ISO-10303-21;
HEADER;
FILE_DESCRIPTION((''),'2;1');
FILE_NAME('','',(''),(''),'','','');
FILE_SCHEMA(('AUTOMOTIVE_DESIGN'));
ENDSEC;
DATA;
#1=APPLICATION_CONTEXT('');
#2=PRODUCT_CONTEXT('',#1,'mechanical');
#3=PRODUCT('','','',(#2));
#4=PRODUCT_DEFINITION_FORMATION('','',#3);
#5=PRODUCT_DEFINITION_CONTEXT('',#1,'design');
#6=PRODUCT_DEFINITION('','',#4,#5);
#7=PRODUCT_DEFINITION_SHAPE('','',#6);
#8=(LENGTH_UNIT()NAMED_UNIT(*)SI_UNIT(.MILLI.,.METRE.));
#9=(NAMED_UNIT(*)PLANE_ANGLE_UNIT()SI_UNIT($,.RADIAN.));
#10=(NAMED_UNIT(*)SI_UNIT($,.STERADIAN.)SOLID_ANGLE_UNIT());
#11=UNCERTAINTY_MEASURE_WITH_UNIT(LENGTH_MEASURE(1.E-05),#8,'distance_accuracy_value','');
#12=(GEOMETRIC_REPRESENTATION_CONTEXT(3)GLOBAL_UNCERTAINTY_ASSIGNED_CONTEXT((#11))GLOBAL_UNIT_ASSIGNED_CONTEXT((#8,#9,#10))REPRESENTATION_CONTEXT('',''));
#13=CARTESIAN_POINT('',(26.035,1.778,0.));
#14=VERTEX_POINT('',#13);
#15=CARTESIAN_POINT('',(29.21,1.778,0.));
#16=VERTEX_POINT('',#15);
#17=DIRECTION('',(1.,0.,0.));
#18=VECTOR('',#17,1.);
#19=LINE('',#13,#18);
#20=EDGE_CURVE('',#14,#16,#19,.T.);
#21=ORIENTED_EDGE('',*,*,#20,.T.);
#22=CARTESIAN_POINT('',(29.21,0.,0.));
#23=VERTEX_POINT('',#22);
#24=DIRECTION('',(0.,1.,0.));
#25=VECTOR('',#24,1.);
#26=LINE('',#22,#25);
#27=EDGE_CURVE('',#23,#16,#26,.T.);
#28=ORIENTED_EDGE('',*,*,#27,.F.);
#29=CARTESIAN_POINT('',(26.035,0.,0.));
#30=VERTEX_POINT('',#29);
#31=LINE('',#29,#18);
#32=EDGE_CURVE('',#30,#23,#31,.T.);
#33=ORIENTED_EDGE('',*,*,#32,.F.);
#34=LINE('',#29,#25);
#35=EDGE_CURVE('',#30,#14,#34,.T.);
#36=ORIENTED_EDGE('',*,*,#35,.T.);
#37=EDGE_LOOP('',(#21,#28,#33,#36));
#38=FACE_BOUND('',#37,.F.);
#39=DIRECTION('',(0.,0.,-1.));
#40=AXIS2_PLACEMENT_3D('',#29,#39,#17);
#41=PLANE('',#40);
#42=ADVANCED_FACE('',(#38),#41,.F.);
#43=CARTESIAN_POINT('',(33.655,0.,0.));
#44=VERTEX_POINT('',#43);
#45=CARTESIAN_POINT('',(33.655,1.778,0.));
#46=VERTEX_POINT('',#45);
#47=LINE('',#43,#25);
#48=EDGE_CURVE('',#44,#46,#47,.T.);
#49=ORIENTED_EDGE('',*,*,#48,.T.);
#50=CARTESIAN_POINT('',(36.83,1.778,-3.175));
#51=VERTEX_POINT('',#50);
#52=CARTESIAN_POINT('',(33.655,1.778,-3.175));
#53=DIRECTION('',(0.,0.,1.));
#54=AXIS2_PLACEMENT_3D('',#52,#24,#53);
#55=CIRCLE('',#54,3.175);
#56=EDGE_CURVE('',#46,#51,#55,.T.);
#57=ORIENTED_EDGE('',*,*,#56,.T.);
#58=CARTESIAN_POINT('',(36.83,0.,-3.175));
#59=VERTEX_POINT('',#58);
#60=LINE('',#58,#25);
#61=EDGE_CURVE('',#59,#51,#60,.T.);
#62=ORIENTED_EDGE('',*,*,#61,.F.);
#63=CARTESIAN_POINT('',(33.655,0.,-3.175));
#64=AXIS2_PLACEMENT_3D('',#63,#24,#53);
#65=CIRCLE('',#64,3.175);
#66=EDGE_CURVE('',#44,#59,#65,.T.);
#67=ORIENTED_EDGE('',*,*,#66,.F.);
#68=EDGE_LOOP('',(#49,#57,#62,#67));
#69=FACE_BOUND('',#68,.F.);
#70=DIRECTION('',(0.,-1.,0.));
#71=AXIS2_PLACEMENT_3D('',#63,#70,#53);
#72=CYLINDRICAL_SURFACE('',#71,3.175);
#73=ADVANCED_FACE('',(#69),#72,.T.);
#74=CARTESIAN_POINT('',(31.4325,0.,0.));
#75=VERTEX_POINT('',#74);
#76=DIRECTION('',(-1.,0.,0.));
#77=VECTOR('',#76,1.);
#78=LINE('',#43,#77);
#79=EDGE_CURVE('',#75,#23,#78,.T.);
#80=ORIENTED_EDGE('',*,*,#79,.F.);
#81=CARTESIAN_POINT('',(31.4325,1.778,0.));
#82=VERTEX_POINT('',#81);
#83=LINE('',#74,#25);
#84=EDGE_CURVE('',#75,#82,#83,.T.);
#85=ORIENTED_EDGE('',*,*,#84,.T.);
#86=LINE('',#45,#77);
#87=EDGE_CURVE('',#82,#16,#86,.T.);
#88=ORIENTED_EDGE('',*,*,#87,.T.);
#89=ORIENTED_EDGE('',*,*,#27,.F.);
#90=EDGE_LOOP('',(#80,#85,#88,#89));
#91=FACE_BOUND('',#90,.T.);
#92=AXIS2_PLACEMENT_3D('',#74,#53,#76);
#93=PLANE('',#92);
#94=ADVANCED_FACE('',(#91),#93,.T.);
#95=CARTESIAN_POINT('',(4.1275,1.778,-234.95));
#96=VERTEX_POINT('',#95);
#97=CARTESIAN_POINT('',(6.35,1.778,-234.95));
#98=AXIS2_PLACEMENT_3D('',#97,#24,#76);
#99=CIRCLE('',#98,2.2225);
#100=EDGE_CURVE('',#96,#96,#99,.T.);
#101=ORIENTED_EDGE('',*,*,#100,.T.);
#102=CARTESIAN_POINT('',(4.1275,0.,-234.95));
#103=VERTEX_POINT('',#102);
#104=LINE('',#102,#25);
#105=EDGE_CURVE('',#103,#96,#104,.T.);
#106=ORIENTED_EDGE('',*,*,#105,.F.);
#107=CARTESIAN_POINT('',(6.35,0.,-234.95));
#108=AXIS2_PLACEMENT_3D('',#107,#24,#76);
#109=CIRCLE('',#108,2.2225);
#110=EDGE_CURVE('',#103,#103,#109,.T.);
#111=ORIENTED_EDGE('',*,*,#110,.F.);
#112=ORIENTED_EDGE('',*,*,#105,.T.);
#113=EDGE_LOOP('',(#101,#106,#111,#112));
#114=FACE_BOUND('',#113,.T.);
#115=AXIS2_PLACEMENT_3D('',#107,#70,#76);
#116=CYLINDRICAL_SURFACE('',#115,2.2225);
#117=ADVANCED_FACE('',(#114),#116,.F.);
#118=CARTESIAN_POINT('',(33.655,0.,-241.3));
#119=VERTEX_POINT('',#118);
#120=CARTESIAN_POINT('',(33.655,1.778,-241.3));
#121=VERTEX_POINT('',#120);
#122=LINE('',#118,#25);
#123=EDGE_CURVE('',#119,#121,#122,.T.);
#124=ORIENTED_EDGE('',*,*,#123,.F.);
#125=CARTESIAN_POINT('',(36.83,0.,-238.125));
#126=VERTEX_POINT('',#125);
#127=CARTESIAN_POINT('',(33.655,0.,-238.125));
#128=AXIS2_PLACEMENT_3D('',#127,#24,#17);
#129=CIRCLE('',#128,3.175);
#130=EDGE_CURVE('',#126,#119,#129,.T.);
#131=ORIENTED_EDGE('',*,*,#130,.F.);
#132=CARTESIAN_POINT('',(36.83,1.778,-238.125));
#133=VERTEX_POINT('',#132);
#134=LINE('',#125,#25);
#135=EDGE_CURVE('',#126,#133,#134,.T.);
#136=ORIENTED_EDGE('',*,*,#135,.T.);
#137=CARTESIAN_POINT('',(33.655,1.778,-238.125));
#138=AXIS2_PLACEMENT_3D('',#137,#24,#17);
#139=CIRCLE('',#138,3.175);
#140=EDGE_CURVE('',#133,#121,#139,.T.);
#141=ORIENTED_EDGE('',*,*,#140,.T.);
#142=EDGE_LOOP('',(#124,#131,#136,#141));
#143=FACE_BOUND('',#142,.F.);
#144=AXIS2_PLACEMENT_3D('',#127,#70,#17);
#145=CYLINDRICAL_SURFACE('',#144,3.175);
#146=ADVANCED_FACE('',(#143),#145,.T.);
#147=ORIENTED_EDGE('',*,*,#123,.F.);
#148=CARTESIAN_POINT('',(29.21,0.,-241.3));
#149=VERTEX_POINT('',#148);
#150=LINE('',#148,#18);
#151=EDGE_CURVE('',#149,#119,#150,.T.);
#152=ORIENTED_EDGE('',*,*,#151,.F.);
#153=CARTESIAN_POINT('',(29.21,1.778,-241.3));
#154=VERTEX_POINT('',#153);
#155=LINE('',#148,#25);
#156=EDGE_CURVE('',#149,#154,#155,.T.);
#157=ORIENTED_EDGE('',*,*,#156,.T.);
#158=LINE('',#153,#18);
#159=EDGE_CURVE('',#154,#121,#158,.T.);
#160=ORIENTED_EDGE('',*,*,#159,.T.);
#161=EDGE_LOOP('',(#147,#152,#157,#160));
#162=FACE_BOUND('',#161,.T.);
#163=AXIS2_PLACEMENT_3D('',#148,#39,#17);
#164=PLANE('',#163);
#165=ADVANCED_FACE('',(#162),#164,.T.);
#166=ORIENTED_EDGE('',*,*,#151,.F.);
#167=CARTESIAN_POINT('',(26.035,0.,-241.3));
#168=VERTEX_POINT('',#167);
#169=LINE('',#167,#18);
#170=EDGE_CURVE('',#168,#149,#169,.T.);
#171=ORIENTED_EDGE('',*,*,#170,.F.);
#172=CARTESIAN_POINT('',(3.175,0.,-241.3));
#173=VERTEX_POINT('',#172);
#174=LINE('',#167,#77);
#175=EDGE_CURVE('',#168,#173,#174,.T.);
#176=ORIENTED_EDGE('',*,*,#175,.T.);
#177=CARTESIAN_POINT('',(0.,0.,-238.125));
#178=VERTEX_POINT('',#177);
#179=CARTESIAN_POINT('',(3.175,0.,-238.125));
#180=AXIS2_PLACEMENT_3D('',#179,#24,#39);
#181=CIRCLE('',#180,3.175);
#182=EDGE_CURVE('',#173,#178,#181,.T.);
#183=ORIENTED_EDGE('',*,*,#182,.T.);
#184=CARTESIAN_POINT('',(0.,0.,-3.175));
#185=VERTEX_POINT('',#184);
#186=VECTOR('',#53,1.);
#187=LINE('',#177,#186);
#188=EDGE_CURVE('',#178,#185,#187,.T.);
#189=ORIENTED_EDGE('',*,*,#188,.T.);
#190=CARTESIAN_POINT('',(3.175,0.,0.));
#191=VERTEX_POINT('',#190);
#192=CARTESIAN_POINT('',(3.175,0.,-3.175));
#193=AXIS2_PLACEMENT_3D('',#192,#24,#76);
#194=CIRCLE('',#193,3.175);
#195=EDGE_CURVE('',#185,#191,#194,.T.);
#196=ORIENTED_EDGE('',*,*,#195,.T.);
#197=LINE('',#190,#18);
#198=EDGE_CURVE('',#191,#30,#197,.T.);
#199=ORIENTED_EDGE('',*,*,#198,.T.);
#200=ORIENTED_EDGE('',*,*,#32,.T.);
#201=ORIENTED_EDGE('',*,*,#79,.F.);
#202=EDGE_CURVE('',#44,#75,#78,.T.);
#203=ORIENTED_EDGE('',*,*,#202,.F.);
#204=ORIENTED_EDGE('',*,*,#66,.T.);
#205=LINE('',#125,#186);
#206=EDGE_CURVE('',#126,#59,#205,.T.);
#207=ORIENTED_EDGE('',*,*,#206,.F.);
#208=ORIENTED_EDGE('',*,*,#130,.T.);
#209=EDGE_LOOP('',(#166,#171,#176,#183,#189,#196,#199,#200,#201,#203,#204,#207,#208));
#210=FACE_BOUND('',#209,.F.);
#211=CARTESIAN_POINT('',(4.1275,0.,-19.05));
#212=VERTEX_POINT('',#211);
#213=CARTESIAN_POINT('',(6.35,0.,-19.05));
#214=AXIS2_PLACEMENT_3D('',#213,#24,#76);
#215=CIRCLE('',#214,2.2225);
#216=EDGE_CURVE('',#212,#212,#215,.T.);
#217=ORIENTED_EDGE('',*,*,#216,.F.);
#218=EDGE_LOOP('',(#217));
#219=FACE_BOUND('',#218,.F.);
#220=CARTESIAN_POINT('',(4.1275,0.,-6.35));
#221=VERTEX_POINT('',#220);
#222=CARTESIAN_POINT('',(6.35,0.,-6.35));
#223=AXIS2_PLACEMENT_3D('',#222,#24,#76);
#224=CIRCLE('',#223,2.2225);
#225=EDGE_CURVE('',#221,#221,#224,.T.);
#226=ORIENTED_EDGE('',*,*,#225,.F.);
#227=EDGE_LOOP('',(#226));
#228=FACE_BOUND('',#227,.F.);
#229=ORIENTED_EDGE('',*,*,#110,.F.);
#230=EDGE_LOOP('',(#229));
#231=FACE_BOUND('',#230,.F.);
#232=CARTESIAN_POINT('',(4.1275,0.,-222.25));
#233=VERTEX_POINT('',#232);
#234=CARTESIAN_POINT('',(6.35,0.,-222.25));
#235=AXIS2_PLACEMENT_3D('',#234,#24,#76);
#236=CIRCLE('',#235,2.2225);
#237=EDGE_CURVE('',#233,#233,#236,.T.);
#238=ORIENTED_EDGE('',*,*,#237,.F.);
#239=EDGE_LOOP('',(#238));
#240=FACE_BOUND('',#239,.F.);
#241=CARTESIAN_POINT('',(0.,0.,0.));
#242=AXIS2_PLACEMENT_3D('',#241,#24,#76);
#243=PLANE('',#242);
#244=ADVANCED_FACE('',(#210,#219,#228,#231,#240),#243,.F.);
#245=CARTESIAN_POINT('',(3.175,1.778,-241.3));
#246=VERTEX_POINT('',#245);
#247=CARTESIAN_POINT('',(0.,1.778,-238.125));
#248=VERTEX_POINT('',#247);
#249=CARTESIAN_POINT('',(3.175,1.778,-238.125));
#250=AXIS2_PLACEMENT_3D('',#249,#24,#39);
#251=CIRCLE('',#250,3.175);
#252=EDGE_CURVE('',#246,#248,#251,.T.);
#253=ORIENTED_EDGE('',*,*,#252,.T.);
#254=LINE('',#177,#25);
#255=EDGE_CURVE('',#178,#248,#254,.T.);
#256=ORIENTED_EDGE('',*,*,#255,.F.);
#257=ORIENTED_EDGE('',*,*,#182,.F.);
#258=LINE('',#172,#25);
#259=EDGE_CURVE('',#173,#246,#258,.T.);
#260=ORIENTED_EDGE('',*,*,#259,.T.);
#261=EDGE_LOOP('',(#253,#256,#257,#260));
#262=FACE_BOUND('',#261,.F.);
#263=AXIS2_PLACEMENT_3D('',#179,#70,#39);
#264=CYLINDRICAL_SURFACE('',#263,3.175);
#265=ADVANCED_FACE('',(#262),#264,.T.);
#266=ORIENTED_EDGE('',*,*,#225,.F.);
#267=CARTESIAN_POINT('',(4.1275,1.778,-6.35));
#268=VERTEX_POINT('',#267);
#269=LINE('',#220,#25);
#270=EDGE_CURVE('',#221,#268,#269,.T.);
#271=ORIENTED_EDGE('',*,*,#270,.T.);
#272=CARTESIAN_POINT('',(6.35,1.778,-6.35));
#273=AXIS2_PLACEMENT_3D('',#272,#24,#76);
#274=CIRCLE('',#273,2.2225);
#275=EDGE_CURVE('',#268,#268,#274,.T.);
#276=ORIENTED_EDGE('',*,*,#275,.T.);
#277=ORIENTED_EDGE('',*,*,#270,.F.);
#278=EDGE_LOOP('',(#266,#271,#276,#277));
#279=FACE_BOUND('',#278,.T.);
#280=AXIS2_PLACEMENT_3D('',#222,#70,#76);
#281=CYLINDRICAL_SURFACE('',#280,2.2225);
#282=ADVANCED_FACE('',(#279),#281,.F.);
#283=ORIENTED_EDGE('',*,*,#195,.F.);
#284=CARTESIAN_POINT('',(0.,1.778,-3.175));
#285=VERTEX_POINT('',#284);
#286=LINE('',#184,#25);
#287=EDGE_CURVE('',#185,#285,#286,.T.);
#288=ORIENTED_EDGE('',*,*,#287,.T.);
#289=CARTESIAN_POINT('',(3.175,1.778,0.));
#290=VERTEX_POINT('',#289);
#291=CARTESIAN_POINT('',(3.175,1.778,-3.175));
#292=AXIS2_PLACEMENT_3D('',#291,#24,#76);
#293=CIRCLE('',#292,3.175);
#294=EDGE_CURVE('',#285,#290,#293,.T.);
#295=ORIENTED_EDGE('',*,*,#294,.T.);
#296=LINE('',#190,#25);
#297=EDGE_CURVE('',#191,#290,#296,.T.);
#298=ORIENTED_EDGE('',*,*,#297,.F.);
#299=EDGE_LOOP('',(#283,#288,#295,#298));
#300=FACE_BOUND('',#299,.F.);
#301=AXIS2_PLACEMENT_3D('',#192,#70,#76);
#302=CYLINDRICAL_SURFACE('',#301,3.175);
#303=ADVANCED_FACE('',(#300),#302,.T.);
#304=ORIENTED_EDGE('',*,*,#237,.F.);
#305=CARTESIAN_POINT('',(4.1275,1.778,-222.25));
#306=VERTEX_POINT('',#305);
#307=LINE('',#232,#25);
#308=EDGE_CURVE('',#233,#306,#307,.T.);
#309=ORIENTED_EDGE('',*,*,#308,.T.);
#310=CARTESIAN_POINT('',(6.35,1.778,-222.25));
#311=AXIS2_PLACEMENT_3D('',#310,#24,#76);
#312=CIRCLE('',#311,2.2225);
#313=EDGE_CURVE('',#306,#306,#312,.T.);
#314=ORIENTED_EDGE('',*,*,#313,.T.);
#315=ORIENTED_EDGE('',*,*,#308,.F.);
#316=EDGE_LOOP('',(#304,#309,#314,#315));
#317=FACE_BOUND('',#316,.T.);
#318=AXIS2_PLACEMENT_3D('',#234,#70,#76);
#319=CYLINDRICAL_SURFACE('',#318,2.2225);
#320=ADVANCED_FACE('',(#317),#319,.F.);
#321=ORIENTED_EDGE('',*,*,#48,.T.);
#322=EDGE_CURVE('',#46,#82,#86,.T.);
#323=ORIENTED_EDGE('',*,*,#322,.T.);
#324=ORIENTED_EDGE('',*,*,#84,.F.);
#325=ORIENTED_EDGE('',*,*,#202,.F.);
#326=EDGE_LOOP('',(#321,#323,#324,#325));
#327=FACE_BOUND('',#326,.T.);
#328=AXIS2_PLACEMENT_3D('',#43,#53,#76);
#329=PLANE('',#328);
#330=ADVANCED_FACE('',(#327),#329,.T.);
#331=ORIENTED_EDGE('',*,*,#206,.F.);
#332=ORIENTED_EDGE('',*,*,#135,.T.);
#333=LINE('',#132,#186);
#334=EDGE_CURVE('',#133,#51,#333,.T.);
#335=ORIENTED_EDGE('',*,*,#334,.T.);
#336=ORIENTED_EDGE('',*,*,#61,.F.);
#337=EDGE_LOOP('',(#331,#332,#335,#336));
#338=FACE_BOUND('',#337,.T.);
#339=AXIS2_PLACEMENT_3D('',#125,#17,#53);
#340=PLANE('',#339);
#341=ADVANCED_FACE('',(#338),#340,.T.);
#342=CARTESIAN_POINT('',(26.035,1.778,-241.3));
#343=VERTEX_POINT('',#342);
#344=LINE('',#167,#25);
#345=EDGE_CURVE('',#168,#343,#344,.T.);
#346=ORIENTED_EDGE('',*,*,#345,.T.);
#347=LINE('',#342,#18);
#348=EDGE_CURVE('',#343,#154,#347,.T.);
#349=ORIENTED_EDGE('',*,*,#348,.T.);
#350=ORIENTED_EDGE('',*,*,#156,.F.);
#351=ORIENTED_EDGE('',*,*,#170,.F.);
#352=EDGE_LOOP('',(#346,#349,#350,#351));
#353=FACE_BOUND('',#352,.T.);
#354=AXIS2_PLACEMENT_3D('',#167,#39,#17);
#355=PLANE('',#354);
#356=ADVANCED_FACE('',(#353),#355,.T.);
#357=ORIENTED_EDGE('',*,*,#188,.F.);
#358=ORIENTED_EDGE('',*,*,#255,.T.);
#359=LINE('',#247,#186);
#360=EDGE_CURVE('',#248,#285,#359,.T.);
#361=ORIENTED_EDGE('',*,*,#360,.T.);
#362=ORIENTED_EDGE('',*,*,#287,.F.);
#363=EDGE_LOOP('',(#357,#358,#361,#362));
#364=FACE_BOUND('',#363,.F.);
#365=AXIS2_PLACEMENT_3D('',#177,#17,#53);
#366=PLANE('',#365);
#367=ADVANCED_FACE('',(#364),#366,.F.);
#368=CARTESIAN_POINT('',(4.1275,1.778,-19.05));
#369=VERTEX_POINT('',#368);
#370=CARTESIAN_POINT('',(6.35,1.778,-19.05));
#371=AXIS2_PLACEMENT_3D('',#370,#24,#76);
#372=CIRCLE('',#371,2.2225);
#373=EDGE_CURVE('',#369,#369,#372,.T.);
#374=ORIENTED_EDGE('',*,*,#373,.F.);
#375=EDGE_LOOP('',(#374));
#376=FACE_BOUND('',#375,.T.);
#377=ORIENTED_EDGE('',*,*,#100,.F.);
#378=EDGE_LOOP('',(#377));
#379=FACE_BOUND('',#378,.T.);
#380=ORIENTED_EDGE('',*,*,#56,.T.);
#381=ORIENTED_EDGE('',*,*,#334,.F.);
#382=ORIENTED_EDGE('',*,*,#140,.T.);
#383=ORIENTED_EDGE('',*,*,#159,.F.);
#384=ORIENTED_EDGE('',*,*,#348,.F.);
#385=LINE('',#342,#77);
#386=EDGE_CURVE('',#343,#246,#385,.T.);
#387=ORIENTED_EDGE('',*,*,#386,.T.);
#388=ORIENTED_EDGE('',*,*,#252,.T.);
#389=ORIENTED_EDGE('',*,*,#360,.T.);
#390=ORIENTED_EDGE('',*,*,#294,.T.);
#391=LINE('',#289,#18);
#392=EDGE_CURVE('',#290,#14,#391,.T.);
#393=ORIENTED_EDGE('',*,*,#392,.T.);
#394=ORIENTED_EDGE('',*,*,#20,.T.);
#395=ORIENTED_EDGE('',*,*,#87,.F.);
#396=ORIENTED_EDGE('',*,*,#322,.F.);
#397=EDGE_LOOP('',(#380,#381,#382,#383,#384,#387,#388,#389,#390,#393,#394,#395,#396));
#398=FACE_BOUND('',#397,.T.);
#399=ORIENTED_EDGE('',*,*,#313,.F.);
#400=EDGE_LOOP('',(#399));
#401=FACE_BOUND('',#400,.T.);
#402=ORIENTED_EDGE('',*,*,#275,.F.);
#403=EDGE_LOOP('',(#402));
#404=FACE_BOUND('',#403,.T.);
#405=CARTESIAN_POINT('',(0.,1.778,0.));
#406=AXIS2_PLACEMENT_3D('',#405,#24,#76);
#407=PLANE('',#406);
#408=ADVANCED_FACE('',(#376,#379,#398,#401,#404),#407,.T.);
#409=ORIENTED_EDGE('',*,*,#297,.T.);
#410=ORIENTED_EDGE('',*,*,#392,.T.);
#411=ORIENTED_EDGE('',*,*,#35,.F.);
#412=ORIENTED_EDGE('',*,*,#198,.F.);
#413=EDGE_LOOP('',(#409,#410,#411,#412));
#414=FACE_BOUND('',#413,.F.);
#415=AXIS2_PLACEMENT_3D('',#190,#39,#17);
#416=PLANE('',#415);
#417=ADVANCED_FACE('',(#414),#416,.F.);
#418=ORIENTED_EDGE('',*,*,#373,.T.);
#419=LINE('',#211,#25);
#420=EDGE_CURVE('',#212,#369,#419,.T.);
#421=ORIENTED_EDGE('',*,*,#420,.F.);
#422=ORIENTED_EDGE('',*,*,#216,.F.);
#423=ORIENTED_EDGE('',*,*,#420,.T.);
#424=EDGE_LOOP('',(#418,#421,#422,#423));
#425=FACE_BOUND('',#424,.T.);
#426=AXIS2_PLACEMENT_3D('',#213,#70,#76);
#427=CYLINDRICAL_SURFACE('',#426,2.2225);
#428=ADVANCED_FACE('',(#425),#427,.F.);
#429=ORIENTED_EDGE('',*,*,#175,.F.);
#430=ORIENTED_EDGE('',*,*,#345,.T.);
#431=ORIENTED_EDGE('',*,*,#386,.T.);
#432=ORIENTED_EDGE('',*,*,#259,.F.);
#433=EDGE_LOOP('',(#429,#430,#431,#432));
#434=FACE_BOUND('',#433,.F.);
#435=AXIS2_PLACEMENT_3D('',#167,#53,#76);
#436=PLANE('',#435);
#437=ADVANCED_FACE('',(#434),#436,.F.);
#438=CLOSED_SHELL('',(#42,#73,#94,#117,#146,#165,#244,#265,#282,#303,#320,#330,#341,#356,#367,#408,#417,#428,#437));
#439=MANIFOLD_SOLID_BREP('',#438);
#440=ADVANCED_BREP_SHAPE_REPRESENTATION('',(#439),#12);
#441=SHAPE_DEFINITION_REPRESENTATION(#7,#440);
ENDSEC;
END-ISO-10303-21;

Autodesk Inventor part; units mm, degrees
ref_plane "YZ Plane" through (0, 0, 0) normal (1, 0, 0) x (0, 1, 0)
ref_plane "XZ Plane" through (0, 0, 0) normal (0, 1, 0) x (-1, 0, 0)
ref_plane "XY Plane" through (0, 0, 0) normal (0, 0, 1) x (1, 0, 0)
sketch "Sketch1" plane through (0, 0, 0) normal (0, 1, 0) x (-1, 0, 0)
  line L0 (-3.175, 0) -> (-26.035, 0)
  line L1 (-26.035, -241.3) -> (-3.175, -241.3)
  line L2 (0, -238.125) -> (0, -3.175)
  circle A0 centre (-6.35, -6.35) radius 2.2225
  circle A1 centre (-6.35, -19.05) radius 2.2225
  circle A2 centre (-6.35, -234.95) radius 2.2225
  circle A3 centre (-6.35, -222.25) radius 2.2225
  arc A4 (0, -3.175) -> (-3.175, 0) centre (-3.175, -3.175) ccw
  arc A5 (-3.175, -241.3) -> (0, -238.125) centre (-3.175, -238.125) ccw
  line L3 (-26.035, -241.3) -> (-29.21, -241.3)
  line L4 (-29.21, -241.3) -> (-33.655, -241.3)
  line L5 (-36.83, -238.125) -> (-36.83, -3.175)
  line L6 (-33.655, 0) -> (-29.21, 0)
  arc A6 (-36.83, -238.125) -> (-33.655, -241.3) centre (-33.655, -238.125) ccw
  arc A7 (-33.655, 0) -> (-36.83, -3.175) centre (-33.655, -3.175) ccw
  line L7 (-26.035, 0) -> (-31.4325, 0)
  point P0 (0, 0)
  point P1 (0, -241.3)
  point P2 (-36.83, -241.3)
  dimension "d0" = 29.21
  dimension "d2" = 4.445
  dimension "d3" = 4.445
  dimension "d4" = 4.445
  dimension "d5" = 4.445
  dimension "d6" = 3.175
  dimension "d7" = 7.62
  dimension "d8" = 3.175
  dimension "d9" = 3.175
extrude "Extrusion1" add sketch "Sketch1" along normal blind 1.778
properties part number "holder_wedge"
